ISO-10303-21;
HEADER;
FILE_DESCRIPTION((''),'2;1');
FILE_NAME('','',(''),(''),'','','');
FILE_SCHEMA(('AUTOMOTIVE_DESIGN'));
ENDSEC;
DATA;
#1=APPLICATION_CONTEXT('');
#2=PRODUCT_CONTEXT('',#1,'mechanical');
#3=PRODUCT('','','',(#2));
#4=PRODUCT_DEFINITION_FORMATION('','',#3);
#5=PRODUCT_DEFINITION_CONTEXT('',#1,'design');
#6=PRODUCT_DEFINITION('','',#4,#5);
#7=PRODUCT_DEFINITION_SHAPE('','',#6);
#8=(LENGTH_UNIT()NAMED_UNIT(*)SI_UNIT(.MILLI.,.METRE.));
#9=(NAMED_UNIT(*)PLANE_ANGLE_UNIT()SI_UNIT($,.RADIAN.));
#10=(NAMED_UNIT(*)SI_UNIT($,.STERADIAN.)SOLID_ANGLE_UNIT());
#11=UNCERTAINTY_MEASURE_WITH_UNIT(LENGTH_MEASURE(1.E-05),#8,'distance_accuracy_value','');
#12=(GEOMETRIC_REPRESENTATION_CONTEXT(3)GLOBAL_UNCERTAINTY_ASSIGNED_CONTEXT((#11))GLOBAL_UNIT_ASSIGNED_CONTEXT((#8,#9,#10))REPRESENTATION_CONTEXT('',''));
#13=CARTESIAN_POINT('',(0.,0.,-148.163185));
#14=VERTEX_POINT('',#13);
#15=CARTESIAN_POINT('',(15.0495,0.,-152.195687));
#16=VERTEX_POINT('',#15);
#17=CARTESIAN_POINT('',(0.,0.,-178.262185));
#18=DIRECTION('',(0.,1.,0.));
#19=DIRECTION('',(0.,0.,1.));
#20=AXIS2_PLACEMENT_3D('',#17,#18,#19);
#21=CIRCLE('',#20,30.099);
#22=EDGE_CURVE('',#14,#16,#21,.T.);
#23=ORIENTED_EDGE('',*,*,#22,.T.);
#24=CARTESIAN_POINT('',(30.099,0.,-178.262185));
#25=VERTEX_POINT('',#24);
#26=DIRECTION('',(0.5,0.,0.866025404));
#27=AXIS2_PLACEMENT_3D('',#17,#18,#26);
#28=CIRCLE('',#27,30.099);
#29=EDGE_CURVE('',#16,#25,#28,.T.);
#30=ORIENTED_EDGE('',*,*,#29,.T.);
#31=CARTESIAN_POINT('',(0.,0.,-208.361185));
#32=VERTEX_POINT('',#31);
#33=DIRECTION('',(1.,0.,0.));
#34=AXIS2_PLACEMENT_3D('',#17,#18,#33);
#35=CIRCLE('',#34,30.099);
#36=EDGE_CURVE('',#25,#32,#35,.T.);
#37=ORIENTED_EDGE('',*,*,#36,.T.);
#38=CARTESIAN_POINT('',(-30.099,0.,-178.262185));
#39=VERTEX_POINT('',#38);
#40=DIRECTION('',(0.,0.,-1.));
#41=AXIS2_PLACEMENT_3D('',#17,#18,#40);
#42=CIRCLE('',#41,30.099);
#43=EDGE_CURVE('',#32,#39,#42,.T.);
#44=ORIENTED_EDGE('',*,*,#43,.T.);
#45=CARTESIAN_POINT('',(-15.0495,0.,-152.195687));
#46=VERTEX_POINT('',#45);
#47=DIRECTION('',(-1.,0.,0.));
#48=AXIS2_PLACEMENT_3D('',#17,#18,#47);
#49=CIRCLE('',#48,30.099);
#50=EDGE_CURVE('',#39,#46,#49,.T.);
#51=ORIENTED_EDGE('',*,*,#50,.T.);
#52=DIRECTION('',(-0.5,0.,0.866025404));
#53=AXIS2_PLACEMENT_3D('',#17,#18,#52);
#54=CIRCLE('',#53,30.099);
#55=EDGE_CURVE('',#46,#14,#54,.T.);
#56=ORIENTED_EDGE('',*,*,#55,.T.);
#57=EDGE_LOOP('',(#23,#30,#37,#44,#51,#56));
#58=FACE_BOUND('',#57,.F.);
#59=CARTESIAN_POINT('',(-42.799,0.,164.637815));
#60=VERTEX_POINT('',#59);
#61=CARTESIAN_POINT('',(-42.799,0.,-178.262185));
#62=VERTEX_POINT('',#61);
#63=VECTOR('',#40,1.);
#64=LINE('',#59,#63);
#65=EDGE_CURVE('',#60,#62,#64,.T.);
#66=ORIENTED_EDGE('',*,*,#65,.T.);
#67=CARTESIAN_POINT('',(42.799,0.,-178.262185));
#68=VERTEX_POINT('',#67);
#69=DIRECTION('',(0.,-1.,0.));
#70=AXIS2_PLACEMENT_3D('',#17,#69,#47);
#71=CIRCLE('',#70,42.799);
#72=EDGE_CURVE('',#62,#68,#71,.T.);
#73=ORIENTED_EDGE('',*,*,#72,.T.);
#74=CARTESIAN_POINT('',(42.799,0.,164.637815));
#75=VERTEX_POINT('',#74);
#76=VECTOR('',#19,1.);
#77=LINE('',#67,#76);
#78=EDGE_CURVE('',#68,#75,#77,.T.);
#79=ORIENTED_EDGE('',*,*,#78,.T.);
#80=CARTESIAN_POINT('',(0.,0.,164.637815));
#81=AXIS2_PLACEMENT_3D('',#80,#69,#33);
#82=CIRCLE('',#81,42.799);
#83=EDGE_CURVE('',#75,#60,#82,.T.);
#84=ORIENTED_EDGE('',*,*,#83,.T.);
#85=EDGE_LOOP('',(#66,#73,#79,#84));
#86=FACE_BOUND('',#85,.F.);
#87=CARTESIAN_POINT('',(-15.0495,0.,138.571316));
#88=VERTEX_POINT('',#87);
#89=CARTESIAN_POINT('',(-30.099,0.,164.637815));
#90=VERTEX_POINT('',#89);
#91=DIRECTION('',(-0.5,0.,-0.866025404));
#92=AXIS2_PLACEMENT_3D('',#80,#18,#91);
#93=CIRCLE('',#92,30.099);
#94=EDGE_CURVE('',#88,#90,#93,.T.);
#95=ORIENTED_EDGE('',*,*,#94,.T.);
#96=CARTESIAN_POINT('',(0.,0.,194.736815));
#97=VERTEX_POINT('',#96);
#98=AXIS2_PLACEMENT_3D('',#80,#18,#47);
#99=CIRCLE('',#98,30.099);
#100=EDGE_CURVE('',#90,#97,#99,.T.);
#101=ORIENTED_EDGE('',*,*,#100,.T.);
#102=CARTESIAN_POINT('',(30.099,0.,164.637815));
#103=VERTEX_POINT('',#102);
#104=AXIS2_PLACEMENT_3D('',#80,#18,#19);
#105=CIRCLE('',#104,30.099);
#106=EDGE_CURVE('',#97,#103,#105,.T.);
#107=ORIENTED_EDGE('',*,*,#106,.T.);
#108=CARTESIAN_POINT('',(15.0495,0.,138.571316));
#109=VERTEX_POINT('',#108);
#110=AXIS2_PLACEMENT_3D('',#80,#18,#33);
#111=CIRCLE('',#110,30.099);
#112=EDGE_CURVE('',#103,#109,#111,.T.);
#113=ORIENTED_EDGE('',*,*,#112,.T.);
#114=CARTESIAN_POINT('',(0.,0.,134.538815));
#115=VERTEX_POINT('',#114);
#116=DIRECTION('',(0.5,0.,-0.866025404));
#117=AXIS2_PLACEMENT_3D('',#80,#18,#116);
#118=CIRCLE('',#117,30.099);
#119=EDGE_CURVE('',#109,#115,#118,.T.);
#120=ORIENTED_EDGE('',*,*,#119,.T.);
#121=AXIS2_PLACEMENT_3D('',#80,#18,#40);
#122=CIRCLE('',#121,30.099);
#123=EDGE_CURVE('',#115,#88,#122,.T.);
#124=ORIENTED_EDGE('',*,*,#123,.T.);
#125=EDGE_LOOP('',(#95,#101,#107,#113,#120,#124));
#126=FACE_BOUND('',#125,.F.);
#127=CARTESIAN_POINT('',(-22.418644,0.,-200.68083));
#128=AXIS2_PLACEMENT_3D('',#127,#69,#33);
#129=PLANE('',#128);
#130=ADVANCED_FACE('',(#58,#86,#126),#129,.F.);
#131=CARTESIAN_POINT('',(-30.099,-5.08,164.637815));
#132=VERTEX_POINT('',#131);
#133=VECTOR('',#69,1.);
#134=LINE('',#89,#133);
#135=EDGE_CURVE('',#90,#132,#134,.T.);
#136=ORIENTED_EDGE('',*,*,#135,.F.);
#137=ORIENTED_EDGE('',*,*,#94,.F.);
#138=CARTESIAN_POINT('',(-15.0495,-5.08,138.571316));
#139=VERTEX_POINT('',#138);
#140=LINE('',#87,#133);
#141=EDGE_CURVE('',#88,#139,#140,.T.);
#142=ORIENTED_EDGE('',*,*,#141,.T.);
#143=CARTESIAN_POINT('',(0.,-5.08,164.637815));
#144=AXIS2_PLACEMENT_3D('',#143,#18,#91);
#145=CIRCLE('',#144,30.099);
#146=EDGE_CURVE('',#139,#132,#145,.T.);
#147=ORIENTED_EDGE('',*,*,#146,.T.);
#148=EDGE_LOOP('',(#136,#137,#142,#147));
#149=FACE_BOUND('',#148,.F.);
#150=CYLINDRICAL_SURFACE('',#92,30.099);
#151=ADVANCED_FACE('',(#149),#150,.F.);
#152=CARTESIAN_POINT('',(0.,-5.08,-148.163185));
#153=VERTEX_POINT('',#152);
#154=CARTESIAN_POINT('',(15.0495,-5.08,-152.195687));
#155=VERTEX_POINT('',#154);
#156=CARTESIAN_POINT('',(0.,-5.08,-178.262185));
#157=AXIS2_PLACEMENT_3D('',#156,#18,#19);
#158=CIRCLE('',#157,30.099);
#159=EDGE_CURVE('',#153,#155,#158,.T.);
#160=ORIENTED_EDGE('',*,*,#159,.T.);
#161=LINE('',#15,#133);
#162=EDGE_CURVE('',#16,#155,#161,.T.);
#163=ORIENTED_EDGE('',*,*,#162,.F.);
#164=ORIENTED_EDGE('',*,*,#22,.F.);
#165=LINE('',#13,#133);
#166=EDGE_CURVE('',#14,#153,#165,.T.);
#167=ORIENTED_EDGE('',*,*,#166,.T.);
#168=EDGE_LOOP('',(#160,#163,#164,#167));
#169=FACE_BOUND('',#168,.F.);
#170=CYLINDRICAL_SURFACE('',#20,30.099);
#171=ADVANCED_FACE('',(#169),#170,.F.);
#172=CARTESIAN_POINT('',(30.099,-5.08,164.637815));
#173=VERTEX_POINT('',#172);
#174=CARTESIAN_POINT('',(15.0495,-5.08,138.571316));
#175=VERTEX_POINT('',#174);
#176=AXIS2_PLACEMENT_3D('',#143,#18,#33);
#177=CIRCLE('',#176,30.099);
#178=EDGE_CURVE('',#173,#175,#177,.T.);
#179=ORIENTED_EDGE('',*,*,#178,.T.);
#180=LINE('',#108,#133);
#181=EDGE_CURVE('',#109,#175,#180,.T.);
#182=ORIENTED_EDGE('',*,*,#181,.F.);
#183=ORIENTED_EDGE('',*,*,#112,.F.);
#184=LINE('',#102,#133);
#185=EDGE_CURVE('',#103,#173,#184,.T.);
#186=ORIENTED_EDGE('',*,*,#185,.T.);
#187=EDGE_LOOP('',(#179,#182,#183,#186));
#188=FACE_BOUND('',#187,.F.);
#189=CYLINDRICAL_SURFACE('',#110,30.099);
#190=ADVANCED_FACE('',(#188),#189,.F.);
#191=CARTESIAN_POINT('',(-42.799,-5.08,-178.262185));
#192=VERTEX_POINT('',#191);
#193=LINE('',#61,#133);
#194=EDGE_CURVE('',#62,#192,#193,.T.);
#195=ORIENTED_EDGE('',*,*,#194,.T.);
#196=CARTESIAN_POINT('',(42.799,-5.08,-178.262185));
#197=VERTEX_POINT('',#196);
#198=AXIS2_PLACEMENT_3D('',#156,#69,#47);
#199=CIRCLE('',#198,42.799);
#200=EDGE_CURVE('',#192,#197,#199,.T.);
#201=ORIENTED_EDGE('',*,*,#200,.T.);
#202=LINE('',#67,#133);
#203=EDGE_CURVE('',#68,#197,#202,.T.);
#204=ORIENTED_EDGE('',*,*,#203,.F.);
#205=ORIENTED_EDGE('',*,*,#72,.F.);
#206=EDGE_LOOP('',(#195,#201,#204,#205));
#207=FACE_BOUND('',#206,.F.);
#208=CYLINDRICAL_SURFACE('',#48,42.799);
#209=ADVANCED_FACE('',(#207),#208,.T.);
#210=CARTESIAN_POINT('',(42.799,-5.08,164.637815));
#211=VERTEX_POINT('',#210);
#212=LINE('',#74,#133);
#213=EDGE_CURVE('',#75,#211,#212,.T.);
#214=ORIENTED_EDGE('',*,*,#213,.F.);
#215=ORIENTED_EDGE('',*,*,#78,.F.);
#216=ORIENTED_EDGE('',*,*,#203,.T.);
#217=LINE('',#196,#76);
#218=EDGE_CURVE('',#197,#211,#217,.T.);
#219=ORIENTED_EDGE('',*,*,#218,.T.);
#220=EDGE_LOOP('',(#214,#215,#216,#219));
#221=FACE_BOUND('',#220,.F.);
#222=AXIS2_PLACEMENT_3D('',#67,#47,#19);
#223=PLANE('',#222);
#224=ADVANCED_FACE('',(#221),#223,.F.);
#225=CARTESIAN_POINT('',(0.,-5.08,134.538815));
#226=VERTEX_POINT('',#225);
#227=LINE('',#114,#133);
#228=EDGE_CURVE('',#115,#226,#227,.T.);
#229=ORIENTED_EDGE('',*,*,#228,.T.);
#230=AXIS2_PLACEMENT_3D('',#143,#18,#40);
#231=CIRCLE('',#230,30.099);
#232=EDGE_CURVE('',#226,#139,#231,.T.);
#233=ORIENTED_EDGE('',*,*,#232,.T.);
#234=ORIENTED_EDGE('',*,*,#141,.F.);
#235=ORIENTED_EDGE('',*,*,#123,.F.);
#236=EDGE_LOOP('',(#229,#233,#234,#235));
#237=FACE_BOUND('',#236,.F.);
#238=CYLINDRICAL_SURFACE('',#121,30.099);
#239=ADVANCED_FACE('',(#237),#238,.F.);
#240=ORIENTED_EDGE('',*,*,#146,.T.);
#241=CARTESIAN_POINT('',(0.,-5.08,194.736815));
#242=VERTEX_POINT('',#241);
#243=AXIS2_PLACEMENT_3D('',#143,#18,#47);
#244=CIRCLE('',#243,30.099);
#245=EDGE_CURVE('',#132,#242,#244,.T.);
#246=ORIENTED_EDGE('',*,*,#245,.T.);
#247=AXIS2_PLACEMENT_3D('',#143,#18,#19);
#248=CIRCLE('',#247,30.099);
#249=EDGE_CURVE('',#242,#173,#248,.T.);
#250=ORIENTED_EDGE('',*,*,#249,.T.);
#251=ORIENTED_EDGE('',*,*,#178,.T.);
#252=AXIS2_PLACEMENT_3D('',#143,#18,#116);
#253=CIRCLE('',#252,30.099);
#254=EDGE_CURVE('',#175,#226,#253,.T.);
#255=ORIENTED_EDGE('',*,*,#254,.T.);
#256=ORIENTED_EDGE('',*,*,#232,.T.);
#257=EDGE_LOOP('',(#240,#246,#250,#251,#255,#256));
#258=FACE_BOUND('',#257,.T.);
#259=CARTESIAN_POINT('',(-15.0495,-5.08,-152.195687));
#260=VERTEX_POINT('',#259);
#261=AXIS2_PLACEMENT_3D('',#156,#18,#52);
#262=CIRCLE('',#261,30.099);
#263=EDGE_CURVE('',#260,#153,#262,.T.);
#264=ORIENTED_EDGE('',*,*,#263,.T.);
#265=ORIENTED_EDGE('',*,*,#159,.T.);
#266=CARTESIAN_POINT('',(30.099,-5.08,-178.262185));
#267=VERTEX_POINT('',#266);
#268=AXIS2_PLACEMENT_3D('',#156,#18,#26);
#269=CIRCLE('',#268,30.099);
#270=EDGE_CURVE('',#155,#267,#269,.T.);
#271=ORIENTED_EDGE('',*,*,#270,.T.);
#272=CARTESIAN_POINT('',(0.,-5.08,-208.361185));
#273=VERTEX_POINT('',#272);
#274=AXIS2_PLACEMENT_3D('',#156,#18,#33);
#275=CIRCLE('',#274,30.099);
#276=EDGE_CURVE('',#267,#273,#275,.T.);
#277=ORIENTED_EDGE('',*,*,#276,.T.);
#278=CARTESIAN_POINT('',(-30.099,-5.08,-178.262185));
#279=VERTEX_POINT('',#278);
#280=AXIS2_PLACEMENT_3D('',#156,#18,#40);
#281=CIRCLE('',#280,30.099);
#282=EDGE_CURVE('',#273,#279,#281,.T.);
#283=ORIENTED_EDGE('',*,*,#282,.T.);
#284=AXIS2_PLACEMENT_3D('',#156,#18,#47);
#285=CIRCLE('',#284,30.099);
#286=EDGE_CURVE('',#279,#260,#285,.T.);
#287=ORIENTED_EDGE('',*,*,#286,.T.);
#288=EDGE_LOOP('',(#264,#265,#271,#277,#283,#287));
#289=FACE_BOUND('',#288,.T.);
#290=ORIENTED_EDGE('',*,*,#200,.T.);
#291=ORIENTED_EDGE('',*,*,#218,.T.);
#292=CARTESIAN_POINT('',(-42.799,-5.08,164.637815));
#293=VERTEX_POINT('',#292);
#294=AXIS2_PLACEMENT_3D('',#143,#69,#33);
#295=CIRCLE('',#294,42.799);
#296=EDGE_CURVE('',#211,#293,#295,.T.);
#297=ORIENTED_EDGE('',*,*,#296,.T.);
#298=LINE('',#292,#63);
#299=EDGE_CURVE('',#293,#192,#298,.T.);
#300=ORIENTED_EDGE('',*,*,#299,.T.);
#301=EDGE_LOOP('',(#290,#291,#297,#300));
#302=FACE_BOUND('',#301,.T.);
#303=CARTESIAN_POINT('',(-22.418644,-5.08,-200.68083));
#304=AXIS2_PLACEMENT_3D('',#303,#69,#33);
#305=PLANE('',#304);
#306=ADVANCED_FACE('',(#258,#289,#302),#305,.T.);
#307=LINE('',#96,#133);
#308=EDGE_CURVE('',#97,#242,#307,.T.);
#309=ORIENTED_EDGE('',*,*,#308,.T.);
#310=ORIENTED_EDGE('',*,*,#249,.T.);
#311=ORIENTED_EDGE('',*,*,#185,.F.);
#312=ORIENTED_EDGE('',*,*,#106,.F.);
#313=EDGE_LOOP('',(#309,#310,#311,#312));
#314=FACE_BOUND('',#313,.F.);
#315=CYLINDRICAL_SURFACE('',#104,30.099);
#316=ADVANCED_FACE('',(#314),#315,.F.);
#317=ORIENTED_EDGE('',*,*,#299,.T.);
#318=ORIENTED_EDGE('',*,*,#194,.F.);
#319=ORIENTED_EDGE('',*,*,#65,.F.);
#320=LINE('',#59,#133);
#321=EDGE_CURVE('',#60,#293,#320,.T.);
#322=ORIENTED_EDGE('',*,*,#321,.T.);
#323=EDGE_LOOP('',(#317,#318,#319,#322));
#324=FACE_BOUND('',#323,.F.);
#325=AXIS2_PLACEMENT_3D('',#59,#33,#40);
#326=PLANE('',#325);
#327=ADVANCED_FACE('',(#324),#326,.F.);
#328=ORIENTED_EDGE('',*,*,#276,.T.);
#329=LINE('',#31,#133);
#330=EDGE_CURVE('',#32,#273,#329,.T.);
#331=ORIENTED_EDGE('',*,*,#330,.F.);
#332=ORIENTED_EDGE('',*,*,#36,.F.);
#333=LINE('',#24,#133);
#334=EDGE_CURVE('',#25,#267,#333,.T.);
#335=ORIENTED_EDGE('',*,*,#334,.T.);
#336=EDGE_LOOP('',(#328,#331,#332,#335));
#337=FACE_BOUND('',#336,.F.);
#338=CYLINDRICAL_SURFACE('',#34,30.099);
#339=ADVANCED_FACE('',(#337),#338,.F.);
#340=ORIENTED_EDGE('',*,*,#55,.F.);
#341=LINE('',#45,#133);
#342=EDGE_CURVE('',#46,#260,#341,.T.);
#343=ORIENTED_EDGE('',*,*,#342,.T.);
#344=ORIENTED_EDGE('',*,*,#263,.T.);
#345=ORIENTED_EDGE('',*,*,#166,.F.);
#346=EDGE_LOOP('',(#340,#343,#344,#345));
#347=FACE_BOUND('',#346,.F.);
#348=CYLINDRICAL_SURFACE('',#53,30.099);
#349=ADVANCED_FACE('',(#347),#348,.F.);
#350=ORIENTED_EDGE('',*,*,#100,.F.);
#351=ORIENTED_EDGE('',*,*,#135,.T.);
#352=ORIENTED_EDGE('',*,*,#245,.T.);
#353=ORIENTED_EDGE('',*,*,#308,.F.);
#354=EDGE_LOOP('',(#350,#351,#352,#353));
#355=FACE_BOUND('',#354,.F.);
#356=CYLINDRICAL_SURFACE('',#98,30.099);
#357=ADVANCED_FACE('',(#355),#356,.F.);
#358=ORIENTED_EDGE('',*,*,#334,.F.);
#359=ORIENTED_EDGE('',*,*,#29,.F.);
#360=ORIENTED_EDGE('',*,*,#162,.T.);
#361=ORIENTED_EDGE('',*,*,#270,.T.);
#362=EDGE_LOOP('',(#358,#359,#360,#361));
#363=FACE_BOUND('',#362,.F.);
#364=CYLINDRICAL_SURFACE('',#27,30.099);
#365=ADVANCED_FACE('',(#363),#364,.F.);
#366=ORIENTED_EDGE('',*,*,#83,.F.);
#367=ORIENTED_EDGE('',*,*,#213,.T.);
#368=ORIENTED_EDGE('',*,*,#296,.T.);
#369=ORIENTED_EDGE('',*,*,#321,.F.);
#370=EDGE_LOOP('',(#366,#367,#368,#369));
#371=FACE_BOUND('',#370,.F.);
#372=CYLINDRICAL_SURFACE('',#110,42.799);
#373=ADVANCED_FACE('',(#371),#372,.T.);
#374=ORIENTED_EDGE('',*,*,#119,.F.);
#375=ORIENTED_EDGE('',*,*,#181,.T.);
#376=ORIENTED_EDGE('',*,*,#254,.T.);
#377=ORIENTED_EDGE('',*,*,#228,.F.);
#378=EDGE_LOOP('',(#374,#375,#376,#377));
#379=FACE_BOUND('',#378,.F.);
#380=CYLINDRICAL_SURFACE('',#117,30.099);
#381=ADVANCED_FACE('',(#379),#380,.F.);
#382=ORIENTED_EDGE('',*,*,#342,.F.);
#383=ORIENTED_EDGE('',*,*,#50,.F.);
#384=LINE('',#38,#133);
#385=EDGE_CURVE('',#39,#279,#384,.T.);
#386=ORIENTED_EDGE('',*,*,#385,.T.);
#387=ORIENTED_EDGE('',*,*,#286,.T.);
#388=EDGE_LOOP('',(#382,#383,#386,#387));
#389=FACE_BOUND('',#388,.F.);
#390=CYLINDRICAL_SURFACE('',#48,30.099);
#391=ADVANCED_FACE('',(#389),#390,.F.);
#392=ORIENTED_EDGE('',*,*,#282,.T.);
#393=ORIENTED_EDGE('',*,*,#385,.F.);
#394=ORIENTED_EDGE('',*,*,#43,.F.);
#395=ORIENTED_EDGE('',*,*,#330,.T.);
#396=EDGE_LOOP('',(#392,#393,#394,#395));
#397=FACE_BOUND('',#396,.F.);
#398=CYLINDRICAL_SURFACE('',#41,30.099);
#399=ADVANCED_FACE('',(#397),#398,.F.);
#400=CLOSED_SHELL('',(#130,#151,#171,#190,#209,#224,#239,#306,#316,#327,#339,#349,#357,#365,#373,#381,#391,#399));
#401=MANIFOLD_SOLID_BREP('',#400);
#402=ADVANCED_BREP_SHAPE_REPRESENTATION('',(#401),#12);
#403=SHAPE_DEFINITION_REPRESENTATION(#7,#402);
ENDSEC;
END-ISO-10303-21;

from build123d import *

# Parameters (mm, degrees)
F1_DEPTH = 5.08


with BuildPart() as f1:
    # F0 (on Front) → F1 (new body)
    with BuildSketch(Plane.XZ):
        with BuildLine():
            Line((-30.099, -178.2621852636), (-42.799, -178.2621852636))
            ThreePointArc((-42.799, -178.2621852636), (-30.263463128, -208.5256483916), (0, -221.0611852636))
            Line((0, -221.0611852636), (0, -208.3611852636))
            ThreePointArc((0, -208.3611852636), (-21.2832070069, -199.5453922706), (-30.099, -178.2621852636))
        make_face()
        with BuildLine():
            ThreePointArc((0, -221.0611852636), (30.263463128, -208.5256483916), (42.799, -178.2621852636))
            Line((42.799, -178.2621852636), (30.099, -178.2621852636))
            ThreePointArc((30.099, -178.2621852636), (21.2832070069, -199.5453922706), (0, -208.3611852636))
            Line((0, -208.3611852636), (0, -221.0611852636))
        make_face()
        with BuildLine():
            Line((42.799, 164.6378147364), (30.099, 164.6378147364))
            Line((30.099, 164.6378147364), (30.099, 134.2107774176))
            ThreePointArc((30.099, 134.2107774176), (39.4965916378, 148.1522559045), (42.799, 164.6378147364))
        make_face()
        with BuildLine():
            ThreePointArc((42.799, -178.2621852636), (39.4965916378, -161.7766264317), (30.099, -147.8351479448))
            Line((30.099, -147.8351479448), (30.099, -178.2621852636))
            Line((30.099, -178.2621852636), (42.799, -178.2621852636))
        make_face()
        with BuildLine():
            Line((-30.099, 134.2107774176), (-30.099, 164.6378147364))
            Line((-30.099, 164.6378147364), (-42.799, 164.6378147364))
            ThreePointArc((-42.799, 164.6378147364), (-39.4965916378, 148.1522559045), (-30.099, 134.2107774176))
        make_face()
        with BuildLine():
            Line((-30.099, -178.2621852636), (-30.099, -147.8351479448))
            ThreePointArc((-30.099, -147.8351479448), (-39.4965916378, -161.7766264317), (-42.799, -178.2621852636))
            Line((-42.799, -178.2621852636), (-30.099, -178.2621852636))
        make_face()
        with BuildLine():
            ThreePointArc((15.0495, -138.1964024715), (7.6478416327, -136.1520330511), (0, -135.4631852636))
            Line((0, -135.4631852636), (0, -148.1631852636))
            ThreePointArc((0, -148.1631852636), (7.7901944385, -149.1887838182), (15.0495, -152.1956866351))
            Line((15.0495, -152.1956866351), (15.0495, -138.1964024715))
        make_face()
        with BuildLine():
            Line((0, -148.1631852636), (0, -135.4631852636))
            ThreePointArc((0, -135.4631852636), (-7.6478416327, -136.1520330511), (-15.0495, -138.1964024715))
            Line((-15.0495, -138.1964024715), (-15.0495, -152.1956866351))
            ThreePointArc((-15.0495, -152.1956866351), (-7.7901944385, -149.1887838182), (0, -148.1631852636))
        make_face()
        with BuildLine():
            Line((0, 121.8388147364), (0, 134.5388147364))
            ThreePointArc((0, 134.5388147364), (-7.7901944385, 135.5644132909), (-15.0495, 138.5713161079))
            Line((-15.0495, 138.5713161079), (-15.0495, 124.5720319442))
            ThreePointArc((-15.0495, 124.5720319442), (-7.6478416327, 122.5276625239), (0, 121.8388147364))
        make_face()
        with BuildLine():
            ThreePointArc((15.0495, 138.5713161079), (7.7901944385, 135.5644132909), (0, 134.5388147364))
            Line((0, 134.5388147364), (0, 121.8388147364))
            ThreePointArc((0, 121.8388147364), (7.6478416327, 122.5276625239), (15.0495, 124.5720319442))
            Line((15.0495, 124.5720319442), (15.0495, 138.5713161079))
        make_face()
        with BuildLine():
            ThreePointArc((30.099, 164.6378147364), (26.0664986285, 149.5883147364), (15.0495, 138.5713161079))
            Line((15.0495, 138.5713161079), (15.0495, 124.5720319442))
            ThreePointArc((15.0495, 124.5720319442), (23.0829616089, 128.5971254483), (30.099, 134.2107774176))
            Line((30.099, 134.2107774176), (30.099, 164.6378147364))
        make_face()
        with BuildLine():
            ThreePointArc((30.099, -147.8351479448), (23.0829616089, -142.2214959755), (15.0495, -138.1964024715))
            Line((15.0495, -138.1964024715), (15.0495, -152.1956866351))
            ThreePointArc((15.0495, -152.1956866351), (26.0664986285, -163.2126852636), (30.099, -178.2621852636))
            Line((30.099, -178.2621852636), (30.099, -147.8351479448))
        make_face()
        with BuildLine():
            Line((-15.0495, -152.1956866351), (-15.0495, -138.1964024715))
            ThreePointArc((-15.0495, -138.1964024715), (-23.0829616089, -142.2214959755), (-30.099, -147.8351479448))
            Line((-30.099, -147.8351479448), (-30.099, -178.2621852636))
            ThreePointArc((-30.099, -178.2621852636), (-26.0664986285, -163.2126852636), (-15.0495, -152.1956866351))
        make_face()
        with BuildLine():
            Line((-15.0495, 124.5720319442), (-15.0495, 138.5713161079))
            ThreePointArc((-15.0495, 138.5713161079), (-26.0664986285, 149.5883147364), (-30.099, 164.6378147364))
            Line((-30.099, 164.6378147364), (-30.099, 134.2107774176))
            ThreePointArc((-30.099, 134.2107774176), (-23.0829616089, 128.5971254483), (-15.0495, 124.5720319442))
        make_face()
        with BuildLine():
            Line((-42.799, 164.6378147364), (-30.099, 164.6378147364))
            ThreePointArc((-30.099, 164.6378147364), (-21.2832070069, 185.9210217433), (0, 194.7368147364))
            Line((0, 194.7368147364), (0, 207.4368147364))
            ThreePointArc((0, 207.4368147364), (-30.263463128, 194.9012778644), (-42.799, 164.6378147364))
        make_face()
        with BuildLine():
            ThreePointArc((0, 194.7368147364), (21.2832070069, 185.9210217433), (30.099, 164.6378147364))
            Line((30.099, 164.6378147364), (42.799, 164.6378147364))
            ThreePointArc((42.799, 164.6378147364), (30.263463128, 194.9012778644), (0, 207.4368147364))
            Line((0, 207.4368147364), (0, 194.7368147364))
        make_face()
        with BuildLine():
            ThreePointArc((42.799, 164.6378147364), (39.4965916378, 148.1522559045), (30.099, 134.2107774176))
            Line((30.099, 134.2107774176), (30.099, -147.8351479448))
            ThreePointArc((30.099, -147.8351479448), (39.4965916378, -161.7766264317), (42.799, -178.2621852636))
            Line((42.799, -178.2621852636), (42.799, 164.6378147364))
        make_face()
        with BuildLine():
            Line((-30.099, -147.8351479448), (-30.099, 134.2107774176))
            ThreePointArc((-30.099, 134.2107774176), (-39.4965916378, 148.1522559045), (-42.799, 164.6378147364))
            Line((-42.799, 164.6378147364), (-42.799, -178.2621852636))
            ThreePointArc((-42.799, -178.2621852636), (-39.4965916378, -161.7766264317), (-30.099, -147.8351479448))
        make_face()
        with BuildLine():
            Line((0, -135.4631852636), (0, 121.8388147364))
            ThreePointArc((0, 121.8388147364), (-7.6478416327, 122.5276625239), (-15.0495, 124.5720319442))
            Line((-15.0495, 124.5720319442), (-15.0495, -138.1964024715))
            ThreePointArc((-15.0495, -138.1964024715), (-7.6478416327, -136.1520330511), (0, -135.4631852636))
        make_face()
        with BuildLine():
            ThreePointArc((15.0495, 124.5720319442), (7.6478416327, 122.5276625239), (0, 121.8388147364))
            Line((0, 121.8388147364), (0, -135.4631852636))
            ThreePointArc((0, -135.4631852636), (7.6478416327, -136.1520330511), (15.0495, -138.1964024715))
            Line((15.0495, -138.1964024715), (15.0495, 124.5720319442))
        make_face()
        with BuildLine():
            ThreePointArc((30.099, 134.2107774176), (23.0829616089, 128.5971254483), (15.0495, 124.5720319442))
            Line((15.0495, 124.5720319442), (15.0495, -138.1964024715))
            ThreePointArc((15.0495, -138.1964024715), (23.0829616089, -142.2214959755), (30.099, -147.8351479448))
            Line((30.099, -147.8351479448), (30.099, 134.2107774176))
        make_face()
        with BuildLine():
            Line((-15.0495, -138.1964024715), (-15.0495, 124.5720319442))
            ThreePointArc((-15.0495, 124.5720319442), (-23.0829616089, 128.5971254483), (-30.099, 134.2107774176))
            Line((-30.099, 134.2107774176), (-30.099, -147.8351479448))
            ThreePointArc((-30.099, -147.8351479448), (-23.0829616089, -142.2214959755), (-15.0495, -138.1964024715))
        make_face()
    extrude(amount=F1_DEPTH)


solid = f1.part
